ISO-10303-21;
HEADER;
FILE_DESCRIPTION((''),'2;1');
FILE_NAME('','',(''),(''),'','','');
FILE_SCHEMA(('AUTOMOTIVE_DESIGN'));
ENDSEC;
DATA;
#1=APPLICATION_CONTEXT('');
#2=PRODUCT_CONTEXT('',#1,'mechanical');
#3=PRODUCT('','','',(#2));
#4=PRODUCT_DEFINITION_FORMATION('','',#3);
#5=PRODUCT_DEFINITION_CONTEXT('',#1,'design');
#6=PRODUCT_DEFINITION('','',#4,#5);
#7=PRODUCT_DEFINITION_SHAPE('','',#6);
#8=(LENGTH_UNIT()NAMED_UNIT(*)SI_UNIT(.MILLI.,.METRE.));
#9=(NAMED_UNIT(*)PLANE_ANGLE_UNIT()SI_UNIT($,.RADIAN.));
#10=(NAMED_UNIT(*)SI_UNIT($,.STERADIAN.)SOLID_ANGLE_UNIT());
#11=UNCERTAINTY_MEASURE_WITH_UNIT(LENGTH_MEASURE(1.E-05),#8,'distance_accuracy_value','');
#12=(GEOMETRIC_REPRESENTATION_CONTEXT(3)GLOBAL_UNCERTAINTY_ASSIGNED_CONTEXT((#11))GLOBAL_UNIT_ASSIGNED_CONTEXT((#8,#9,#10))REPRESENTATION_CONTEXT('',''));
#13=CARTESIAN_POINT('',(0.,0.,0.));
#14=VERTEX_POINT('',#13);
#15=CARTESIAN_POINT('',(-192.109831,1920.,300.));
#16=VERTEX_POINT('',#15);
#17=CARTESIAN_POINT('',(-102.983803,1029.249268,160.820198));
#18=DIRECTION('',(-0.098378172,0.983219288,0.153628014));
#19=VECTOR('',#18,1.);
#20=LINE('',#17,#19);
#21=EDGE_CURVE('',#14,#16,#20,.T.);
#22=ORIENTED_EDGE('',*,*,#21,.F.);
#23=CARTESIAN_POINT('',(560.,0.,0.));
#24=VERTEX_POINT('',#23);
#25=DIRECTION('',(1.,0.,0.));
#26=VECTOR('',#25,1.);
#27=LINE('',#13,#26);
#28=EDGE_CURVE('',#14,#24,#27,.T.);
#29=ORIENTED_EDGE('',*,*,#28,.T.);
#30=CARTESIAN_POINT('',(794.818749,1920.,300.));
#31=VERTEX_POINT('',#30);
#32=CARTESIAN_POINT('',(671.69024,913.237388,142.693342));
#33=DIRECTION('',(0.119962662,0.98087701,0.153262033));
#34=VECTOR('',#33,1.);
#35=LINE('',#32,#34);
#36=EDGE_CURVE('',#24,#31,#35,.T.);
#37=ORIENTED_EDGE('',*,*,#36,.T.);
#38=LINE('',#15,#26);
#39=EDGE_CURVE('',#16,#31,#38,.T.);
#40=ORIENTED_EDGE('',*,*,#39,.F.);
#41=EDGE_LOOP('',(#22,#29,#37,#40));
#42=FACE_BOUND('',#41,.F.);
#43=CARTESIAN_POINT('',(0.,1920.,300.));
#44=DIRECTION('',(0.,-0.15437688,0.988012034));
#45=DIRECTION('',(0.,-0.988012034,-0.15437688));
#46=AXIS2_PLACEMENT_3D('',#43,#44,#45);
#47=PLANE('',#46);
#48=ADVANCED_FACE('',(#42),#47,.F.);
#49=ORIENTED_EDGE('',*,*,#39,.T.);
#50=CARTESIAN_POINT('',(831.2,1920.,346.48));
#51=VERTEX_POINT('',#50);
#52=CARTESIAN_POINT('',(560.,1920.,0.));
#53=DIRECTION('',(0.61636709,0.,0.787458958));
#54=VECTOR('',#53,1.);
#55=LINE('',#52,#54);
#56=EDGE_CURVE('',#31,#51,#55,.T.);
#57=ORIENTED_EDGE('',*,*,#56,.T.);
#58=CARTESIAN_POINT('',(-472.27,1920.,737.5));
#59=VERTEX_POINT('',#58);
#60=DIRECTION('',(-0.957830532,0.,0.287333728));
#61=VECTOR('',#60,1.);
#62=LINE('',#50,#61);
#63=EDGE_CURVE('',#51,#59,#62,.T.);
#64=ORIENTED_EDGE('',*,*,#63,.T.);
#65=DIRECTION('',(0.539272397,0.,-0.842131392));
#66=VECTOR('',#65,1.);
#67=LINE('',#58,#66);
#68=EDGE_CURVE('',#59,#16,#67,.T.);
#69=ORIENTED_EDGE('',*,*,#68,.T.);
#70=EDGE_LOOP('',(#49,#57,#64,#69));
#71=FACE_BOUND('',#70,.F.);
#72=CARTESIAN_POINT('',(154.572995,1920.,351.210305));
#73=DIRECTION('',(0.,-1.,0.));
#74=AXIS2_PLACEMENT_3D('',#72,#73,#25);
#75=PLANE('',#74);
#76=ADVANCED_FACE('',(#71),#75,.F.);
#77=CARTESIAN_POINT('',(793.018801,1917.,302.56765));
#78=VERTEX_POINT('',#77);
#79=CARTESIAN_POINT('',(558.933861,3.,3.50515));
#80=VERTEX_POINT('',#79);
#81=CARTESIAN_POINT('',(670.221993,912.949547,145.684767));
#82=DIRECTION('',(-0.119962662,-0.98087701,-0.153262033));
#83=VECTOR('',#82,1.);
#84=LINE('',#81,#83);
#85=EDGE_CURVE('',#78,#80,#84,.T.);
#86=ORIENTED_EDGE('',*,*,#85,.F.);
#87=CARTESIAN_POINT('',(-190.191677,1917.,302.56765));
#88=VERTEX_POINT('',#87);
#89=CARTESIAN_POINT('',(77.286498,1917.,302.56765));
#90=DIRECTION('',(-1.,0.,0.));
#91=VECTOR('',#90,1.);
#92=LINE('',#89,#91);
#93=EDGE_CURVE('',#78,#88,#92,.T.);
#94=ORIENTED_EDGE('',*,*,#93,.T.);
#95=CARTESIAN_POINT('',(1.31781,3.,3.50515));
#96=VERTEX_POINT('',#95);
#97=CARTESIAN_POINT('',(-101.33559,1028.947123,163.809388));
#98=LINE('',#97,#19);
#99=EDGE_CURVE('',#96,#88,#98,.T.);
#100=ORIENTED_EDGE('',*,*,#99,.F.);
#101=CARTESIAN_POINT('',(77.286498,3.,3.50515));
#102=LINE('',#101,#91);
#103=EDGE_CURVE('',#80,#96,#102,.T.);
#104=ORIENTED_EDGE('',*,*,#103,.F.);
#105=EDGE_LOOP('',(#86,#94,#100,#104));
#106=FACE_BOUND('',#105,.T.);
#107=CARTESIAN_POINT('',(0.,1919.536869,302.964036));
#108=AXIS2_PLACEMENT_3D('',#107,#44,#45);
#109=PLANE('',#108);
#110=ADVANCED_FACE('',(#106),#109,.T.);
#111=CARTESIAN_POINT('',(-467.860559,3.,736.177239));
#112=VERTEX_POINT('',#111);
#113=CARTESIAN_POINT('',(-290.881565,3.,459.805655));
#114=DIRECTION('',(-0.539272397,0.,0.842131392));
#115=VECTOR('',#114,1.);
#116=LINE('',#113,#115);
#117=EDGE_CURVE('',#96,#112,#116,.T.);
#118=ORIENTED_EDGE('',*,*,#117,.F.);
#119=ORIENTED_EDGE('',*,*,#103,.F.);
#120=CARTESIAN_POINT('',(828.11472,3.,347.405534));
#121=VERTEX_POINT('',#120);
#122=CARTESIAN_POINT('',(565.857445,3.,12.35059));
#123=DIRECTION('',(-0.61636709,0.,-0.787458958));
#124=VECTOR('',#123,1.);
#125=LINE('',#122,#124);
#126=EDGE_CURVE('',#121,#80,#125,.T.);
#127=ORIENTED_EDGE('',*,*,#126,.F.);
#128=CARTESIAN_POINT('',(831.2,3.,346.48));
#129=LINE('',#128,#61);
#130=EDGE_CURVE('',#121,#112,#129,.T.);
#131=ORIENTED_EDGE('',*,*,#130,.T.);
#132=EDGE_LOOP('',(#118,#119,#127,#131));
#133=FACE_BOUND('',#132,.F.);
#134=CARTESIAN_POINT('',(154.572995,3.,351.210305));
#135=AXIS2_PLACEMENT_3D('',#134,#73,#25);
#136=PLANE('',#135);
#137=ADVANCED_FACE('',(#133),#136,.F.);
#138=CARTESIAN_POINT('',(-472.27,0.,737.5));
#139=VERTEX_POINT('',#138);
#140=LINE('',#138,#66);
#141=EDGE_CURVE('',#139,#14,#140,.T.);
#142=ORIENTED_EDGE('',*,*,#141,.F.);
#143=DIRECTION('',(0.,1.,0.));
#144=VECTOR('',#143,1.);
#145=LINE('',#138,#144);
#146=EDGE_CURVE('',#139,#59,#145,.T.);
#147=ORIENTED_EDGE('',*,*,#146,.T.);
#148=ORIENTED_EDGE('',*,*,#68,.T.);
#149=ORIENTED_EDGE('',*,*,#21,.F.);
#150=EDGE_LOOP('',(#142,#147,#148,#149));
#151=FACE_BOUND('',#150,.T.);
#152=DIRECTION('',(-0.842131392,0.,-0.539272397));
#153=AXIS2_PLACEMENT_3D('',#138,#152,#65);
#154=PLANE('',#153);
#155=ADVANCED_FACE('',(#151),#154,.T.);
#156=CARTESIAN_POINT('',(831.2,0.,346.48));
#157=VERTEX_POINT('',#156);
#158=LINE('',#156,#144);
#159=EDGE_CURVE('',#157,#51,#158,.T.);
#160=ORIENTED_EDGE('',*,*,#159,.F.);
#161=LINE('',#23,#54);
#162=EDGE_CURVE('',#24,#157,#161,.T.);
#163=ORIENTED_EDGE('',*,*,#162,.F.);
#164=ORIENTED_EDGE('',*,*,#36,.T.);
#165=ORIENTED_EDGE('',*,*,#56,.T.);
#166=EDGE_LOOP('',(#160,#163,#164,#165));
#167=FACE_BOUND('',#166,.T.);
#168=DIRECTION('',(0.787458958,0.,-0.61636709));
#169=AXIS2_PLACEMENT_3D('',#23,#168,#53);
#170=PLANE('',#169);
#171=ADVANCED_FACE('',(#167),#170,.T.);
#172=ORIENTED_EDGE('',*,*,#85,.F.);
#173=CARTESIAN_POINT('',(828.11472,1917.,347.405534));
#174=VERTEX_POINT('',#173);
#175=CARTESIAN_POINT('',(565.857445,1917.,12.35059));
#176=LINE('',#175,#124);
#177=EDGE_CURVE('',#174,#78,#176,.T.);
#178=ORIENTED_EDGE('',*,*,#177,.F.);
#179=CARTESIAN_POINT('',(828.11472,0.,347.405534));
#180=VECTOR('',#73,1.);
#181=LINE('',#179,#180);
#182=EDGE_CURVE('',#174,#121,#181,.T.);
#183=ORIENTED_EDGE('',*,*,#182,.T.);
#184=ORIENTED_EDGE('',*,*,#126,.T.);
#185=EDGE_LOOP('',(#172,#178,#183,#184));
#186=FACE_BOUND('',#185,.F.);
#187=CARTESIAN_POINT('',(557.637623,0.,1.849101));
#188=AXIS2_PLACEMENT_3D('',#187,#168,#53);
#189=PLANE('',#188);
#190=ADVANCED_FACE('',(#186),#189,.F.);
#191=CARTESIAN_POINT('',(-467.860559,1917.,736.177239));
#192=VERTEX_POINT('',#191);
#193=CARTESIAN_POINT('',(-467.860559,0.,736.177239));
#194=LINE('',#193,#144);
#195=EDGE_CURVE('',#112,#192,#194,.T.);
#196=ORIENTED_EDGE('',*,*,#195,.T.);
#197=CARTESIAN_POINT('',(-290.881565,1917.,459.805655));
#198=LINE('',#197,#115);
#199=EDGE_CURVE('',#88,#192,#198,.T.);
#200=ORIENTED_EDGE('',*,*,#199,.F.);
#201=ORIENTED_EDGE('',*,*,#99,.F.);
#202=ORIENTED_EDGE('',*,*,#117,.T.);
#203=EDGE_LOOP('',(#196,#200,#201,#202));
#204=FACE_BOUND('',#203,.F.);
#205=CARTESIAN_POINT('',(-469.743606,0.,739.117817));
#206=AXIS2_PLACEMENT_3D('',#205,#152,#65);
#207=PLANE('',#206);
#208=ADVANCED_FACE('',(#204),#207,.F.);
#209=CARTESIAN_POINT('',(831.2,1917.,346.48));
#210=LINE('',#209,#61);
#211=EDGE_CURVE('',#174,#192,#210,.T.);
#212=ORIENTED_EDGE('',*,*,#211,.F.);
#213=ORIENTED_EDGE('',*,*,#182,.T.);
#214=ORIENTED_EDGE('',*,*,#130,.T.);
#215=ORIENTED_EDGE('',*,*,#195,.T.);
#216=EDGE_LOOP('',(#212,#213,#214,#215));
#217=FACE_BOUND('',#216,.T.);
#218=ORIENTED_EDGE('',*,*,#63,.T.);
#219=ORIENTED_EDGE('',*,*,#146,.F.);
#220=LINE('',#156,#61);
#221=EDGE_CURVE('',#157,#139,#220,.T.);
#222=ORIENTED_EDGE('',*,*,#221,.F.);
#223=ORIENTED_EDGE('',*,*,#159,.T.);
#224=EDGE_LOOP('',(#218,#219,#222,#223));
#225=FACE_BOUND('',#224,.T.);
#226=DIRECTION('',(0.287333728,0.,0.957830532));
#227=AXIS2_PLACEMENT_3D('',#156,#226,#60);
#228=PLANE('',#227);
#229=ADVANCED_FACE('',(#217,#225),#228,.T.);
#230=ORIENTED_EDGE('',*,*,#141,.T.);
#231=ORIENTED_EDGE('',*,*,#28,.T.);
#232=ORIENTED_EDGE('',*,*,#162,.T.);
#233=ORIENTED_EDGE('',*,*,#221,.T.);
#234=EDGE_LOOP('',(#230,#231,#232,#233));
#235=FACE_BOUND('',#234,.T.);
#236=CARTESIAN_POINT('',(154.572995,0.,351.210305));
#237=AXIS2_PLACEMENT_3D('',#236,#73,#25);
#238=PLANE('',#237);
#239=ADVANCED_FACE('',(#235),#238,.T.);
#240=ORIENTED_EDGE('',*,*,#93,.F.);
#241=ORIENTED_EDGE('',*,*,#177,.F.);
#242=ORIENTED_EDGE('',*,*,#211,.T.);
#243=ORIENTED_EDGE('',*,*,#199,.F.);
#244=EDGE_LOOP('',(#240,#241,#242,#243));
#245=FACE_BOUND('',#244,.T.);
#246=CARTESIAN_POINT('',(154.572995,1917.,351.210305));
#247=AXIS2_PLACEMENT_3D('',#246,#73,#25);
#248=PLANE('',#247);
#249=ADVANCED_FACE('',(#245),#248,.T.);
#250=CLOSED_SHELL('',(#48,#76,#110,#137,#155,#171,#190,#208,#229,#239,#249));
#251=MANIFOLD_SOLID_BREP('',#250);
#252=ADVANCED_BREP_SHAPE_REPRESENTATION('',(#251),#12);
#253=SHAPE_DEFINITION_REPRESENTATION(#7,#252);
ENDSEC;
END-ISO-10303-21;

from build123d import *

# Parameters (mm, degrees)
F1_DEPTH      = 1920
F3_DEPTH      = 831.201
F3_DEPTH_BACK = 472.271
F4_T          = -3


with BuildPart() as f1:
    # F0 (on Front) → F1 (new body)
    with BuildSketch(Plane.XZ):
        Polygon((-472.27, 737.5), (0, 0), (560, 0), (831.2, 346.48), align=None)
    extrude(amount=-F1_DEPTH)

    # F2 (on Right) → F3 (cut, two sides)
    with BuildSketch(Plane.YZ) as f3_sk:
        Polygon((0, 0), (1920, 0), (1920, 300), align=None)
    extrude(amount=F3_DEPTH, mode=Mode.SUBTRACT)
    extrude(f3_sk.sketch, amount=-F3_DEPTH_BACK, mode=Mode.SUBTRACT)

    # F4
    f4_openings = [f1.faces().sort_by_distance(p)[0] for p in [
        (179.465, 960, 541.99),
    ]]
    offset(amount=F4_T, openings=f4_openings)


solid = f1.part
